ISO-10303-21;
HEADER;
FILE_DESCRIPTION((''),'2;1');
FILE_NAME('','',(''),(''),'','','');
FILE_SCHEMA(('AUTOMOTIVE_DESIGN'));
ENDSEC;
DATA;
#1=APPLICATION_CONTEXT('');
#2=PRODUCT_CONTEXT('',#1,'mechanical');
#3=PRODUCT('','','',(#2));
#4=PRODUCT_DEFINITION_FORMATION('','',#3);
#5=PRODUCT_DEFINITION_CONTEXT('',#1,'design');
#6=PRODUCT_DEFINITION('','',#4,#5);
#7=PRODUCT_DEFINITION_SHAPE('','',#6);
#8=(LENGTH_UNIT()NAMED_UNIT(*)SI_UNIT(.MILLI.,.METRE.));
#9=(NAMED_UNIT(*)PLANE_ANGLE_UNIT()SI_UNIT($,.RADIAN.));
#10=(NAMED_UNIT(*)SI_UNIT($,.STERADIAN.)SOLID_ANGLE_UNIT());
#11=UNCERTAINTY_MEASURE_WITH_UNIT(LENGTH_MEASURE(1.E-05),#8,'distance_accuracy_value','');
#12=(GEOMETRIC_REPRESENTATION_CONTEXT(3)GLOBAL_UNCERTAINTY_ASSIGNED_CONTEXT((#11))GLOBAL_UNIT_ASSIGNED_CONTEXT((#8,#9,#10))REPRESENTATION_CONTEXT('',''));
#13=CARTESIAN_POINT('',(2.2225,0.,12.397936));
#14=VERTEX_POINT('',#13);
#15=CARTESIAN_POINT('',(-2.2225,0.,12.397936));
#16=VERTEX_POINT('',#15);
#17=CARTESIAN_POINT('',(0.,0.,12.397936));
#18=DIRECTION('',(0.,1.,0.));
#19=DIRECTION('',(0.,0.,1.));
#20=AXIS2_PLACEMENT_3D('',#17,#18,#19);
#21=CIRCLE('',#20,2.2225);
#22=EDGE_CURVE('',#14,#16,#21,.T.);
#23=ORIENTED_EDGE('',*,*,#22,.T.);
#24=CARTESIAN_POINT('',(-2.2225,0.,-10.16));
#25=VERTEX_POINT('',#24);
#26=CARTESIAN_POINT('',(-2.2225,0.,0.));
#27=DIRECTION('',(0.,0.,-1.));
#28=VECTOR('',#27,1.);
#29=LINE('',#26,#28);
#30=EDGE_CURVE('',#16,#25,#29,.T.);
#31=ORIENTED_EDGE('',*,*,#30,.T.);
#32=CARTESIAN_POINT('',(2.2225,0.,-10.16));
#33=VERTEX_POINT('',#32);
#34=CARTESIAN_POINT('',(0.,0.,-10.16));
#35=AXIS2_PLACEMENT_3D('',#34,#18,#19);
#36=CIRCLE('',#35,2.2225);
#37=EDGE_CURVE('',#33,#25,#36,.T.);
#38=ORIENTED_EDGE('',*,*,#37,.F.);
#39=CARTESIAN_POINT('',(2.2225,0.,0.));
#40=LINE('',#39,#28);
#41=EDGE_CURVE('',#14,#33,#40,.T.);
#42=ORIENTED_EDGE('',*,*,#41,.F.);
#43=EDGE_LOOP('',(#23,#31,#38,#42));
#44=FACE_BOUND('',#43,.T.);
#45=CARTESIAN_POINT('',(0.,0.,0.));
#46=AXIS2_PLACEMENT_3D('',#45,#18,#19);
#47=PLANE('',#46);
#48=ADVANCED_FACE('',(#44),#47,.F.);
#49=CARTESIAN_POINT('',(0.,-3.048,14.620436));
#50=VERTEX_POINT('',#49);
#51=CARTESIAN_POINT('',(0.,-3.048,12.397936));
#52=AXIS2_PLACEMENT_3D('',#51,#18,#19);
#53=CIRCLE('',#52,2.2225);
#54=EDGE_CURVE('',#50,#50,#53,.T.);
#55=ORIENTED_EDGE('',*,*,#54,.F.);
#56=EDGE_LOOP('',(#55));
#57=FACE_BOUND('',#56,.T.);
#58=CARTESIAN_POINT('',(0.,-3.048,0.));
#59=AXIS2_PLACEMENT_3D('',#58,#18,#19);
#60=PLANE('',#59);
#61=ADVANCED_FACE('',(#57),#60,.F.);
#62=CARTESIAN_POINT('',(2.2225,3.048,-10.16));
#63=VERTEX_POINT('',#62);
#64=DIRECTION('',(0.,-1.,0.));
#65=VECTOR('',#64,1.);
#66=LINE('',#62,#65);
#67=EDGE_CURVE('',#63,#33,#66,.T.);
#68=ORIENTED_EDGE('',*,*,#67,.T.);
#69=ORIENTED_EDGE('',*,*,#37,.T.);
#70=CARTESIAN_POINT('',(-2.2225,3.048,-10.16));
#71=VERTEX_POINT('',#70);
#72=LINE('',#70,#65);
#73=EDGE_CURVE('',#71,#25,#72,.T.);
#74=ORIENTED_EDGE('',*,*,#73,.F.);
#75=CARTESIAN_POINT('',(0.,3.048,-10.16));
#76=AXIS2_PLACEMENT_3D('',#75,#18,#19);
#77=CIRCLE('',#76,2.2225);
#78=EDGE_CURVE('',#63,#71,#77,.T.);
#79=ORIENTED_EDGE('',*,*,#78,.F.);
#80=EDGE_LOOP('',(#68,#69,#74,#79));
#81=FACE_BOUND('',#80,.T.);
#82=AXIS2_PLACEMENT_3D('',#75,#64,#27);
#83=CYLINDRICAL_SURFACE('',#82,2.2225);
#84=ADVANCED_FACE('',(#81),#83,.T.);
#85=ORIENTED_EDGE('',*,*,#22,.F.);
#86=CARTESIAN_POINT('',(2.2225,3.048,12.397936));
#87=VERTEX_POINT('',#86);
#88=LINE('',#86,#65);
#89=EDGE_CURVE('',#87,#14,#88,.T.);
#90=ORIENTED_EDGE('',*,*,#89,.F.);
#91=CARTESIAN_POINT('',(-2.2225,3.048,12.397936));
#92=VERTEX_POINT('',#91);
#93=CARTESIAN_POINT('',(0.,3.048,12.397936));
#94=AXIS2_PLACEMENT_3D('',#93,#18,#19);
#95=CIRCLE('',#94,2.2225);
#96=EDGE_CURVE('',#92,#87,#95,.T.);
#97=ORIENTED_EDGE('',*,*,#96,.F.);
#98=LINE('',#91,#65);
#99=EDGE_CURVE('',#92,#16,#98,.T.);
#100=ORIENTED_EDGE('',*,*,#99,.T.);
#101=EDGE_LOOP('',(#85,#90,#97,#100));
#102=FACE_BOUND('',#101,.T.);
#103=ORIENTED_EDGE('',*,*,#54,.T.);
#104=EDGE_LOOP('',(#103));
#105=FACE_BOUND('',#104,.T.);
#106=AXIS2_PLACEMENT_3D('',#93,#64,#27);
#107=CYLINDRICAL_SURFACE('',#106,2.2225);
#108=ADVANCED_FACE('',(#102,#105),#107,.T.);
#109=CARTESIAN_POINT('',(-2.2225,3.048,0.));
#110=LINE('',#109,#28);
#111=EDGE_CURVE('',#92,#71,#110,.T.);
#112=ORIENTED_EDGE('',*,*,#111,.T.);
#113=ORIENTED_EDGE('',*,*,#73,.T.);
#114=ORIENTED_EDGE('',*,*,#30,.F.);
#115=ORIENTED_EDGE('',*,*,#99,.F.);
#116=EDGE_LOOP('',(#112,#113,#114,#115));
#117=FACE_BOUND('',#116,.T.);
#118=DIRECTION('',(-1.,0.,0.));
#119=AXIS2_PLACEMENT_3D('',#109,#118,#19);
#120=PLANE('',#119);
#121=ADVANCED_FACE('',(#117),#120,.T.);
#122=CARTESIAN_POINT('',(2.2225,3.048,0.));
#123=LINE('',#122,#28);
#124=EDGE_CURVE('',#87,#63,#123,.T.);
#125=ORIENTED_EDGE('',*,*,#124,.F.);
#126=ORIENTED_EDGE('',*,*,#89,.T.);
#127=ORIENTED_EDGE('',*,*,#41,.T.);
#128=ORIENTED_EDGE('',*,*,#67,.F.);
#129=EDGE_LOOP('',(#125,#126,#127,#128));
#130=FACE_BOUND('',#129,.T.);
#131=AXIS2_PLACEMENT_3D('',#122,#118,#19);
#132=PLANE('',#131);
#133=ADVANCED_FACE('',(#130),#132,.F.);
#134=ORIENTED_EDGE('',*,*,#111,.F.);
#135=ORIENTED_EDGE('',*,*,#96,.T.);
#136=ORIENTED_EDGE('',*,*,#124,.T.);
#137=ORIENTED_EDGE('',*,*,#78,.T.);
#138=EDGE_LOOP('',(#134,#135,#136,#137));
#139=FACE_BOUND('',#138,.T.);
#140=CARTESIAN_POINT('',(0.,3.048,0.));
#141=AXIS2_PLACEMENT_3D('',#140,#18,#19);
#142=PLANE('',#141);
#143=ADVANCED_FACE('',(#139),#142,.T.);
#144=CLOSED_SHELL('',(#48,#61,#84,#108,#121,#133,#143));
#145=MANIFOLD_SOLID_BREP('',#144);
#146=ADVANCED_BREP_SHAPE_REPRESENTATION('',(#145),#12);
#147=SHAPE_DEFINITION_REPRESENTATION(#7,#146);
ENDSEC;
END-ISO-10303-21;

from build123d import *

# Parameters (mm, degrees)
BOSS_EXTRUDE1_DEPTH = 3.048
BOSS_EXTRUDE2_DEPTH = 3.048


with BuildPart() as part:
    # Sketch1 → Boss-Extrude1 (new body)
    with BuildSketch(Plane(origin=(0, 0, 0), x_dir=(1, 0, 0), z_dir=(0, 1, 0))):
        with BuildLine():
            Line((-2.2225, 10.16), (-2.2225, -12.397935732))
            ThreePointArc((-2.2225, -12.397935732), (0, -10.175435732), (2.2225, -12.397935732))
            Line((2.2225, -12.397935732), (2.2225, 10.16))
            ThreePointArc((2.2225, 10.16), (0, 12.3825), (-2.2225, 10.16))
        make_face()
    extrude(amount=BOSS_EXTRUDE1_DEPTH)

    # Sketch1<3> → Boss-Extrude2 (add, symmetric)
    with BuildSketch(Plane(origin=(0, 0, 0), x_dir=(1, 0, 0), z_dir=(0, 1, 0))):
        with BuildLine():
            ThreePointArc((-2.2225, -12.397935732), (0, -14.620435732), (2.2225, -12.397935732))
            ThreePointArc((2.2225, -12.397935732), (0, -10.175435732), (-2.2225, -12.397935732))
        make_face()
    extrude(amount=BOSS_EXTRUDE2_DEPTH, both=True)


solid = part.part
